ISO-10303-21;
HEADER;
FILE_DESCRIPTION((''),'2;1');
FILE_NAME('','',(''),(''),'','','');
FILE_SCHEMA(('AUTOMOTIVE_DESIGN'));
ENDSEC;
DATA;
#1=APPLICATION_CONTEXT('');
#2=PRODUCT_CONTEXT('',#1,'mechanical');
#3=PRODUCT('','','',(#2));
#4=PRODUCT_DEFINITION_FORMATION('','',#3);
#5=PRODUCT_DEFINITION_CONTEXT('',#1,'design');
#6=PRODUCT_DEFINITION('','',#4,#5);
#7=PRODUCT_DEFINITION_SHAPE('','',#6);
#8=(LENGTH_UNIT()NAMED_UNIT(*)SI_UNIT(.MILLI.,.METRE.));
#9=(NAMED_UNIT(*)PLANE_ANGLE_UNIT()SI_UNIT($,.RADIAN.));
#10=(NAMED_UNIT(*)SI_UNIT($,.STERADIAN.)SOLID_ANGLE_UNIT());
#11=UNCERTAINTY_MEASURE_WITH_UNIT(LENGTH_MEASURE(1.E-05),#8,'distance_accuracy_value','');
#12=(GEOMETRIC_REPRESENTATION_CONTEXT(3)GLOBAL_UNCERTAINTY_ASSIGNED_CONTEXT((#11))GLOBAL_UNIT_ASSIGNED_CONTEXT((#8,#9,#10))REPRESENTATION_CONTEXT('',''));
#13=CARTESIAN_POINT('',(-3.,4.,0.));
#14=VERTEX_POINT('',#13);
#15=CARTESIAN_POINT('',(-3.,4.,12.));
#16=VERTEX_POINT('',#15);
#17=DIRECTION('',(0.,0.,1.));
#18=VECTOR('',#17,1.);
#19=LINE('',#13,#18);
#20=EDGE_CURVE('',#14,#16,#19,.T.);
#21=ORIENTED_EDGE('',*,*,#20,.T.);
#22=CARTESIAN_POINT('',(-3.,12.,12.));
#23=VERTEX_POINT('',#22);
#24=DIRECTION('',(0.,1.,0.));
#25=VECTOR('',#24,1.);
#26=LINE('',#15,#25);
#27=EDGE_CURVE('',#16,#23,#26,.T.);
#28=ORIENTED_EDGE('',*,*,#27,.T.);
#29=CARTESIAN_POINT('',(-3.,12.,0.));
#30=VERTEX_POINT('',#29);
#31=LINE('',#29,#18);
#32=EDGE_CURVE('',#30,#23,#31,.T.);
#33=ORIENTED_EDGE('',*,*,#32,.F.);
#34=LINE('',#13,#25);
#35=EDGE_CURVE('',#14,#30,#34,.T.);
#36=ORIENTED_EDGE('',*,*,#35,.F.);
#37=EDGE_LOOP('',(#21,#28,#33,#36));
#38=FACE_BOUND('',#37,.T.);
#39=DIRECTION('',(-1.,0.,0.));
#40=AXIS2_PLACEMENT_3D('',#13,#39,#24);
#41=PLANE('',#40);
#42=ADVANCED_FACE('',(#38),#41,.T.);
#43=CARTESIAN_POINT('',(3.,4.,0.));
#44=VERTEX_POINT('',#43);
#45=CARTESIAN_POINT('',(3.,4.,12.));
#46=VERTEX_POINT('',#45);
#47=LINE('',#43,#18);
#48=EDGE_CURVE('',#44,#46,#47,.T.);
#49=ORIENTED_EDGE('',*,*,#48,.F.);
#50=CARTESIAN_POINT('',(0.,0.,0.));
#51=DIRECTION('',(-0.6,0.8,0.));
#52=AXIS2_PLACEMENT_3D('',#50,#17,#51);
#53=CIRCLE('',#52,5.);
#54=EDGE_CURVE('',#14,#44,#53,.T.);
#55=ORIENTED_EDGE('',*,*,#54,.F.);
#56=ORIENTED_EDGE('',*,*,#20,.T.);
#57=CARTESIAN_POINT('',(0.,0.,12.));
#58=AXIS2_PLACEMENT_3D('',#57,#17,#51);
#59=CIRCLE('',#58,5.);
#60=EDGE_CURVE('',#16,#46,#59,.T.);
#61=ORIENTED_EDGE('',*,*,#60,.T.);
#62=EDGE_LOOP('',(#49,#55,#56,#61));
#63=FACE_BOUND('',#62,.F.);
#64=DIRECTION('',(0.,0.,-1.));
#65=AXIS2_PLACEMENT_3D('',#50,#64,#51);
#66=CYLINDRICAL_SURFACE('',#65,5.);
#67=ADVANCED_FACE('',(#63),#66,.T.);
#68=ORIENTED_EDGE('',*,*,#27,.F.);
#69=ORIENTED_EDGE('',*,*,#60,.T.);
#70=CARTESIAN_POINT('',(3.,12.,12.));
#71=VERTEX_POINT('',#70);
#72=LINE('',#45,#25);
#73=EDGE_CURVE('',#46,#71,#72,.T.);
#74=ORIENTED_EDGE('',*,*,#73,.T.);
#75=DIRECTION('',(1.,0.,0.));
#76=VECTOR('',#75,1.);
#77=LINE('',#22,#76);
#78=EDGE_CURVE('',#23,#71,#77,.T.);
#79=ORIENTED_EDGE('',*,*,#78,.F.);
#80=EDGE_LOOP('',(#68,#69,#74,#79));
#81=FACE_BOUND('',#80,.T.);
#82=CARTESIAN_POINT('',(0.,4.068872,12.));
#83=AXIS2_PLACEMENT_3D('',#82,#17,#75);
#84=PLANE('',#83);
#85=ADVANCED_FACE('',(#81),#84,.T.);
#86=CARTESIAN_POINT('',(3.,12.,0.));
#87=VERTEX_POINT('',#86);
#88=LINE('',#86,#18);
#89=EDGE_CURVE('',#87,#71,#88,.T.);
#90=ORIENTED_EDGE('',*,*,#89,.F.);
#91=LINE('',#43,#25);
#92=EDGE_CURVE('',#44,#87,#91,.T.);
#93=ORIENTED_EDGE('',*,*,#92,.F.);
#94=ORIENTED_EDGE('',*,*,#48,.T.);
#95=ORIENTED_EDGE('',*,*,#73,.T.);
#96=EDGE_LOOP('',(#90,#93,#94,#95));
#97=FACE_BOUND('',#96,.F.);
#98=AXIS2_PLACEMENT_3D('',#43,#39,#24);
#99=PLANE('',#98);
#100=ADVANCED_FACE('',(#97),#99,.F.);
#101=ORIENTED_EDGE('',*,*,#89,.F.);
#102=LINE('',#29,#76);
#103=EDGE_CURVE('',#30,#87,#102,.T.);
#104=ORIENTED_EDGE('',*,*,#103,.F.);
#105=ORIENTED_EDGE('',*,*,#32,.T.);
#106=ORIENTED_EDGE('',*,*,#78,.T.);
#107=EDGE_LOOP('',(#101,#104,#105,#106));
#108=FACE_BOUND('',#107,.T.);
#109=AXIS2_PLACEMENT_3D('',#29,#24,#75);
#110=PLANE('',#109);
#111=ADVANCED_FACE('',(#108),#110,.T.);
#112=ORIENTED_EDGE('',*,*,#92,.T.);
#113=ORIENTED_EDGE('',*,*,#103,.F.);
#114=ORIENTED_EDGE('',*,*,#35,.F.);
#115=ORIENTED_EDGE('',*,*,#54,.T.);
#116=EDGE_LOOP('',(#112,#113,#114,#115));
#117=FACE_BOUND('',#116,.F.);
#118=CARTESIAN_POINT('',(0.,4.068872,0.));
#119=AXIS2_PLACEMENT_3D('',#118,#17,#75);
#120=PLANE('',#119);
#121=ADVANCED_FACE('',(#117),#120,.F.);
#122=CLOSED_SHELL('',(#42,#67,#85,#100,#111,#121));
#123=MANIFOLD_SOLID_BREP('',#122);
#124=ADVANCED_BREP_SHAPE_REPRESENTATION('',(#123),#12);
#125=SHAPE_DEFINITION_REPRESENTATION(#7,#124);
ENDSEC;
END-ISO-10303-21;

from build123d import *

# Parameters (mm, degrees)
PAD_DEPTH = 12


with BuildPart() as part:
    # Sketch → Pad (new body)
    with BuildSketch(Plane.XY):
        with BuildLine():
            ThreePointArc((-3, 4), (0, -5), (3, 4))
            Line((3, 4), (3, 12))
            Line((-3, 12), (3, 12))
            Line((-3, 4), (-3, 12))
        make_face()
    extrude(amount=PAD_DEPTH)


solid = part.part
